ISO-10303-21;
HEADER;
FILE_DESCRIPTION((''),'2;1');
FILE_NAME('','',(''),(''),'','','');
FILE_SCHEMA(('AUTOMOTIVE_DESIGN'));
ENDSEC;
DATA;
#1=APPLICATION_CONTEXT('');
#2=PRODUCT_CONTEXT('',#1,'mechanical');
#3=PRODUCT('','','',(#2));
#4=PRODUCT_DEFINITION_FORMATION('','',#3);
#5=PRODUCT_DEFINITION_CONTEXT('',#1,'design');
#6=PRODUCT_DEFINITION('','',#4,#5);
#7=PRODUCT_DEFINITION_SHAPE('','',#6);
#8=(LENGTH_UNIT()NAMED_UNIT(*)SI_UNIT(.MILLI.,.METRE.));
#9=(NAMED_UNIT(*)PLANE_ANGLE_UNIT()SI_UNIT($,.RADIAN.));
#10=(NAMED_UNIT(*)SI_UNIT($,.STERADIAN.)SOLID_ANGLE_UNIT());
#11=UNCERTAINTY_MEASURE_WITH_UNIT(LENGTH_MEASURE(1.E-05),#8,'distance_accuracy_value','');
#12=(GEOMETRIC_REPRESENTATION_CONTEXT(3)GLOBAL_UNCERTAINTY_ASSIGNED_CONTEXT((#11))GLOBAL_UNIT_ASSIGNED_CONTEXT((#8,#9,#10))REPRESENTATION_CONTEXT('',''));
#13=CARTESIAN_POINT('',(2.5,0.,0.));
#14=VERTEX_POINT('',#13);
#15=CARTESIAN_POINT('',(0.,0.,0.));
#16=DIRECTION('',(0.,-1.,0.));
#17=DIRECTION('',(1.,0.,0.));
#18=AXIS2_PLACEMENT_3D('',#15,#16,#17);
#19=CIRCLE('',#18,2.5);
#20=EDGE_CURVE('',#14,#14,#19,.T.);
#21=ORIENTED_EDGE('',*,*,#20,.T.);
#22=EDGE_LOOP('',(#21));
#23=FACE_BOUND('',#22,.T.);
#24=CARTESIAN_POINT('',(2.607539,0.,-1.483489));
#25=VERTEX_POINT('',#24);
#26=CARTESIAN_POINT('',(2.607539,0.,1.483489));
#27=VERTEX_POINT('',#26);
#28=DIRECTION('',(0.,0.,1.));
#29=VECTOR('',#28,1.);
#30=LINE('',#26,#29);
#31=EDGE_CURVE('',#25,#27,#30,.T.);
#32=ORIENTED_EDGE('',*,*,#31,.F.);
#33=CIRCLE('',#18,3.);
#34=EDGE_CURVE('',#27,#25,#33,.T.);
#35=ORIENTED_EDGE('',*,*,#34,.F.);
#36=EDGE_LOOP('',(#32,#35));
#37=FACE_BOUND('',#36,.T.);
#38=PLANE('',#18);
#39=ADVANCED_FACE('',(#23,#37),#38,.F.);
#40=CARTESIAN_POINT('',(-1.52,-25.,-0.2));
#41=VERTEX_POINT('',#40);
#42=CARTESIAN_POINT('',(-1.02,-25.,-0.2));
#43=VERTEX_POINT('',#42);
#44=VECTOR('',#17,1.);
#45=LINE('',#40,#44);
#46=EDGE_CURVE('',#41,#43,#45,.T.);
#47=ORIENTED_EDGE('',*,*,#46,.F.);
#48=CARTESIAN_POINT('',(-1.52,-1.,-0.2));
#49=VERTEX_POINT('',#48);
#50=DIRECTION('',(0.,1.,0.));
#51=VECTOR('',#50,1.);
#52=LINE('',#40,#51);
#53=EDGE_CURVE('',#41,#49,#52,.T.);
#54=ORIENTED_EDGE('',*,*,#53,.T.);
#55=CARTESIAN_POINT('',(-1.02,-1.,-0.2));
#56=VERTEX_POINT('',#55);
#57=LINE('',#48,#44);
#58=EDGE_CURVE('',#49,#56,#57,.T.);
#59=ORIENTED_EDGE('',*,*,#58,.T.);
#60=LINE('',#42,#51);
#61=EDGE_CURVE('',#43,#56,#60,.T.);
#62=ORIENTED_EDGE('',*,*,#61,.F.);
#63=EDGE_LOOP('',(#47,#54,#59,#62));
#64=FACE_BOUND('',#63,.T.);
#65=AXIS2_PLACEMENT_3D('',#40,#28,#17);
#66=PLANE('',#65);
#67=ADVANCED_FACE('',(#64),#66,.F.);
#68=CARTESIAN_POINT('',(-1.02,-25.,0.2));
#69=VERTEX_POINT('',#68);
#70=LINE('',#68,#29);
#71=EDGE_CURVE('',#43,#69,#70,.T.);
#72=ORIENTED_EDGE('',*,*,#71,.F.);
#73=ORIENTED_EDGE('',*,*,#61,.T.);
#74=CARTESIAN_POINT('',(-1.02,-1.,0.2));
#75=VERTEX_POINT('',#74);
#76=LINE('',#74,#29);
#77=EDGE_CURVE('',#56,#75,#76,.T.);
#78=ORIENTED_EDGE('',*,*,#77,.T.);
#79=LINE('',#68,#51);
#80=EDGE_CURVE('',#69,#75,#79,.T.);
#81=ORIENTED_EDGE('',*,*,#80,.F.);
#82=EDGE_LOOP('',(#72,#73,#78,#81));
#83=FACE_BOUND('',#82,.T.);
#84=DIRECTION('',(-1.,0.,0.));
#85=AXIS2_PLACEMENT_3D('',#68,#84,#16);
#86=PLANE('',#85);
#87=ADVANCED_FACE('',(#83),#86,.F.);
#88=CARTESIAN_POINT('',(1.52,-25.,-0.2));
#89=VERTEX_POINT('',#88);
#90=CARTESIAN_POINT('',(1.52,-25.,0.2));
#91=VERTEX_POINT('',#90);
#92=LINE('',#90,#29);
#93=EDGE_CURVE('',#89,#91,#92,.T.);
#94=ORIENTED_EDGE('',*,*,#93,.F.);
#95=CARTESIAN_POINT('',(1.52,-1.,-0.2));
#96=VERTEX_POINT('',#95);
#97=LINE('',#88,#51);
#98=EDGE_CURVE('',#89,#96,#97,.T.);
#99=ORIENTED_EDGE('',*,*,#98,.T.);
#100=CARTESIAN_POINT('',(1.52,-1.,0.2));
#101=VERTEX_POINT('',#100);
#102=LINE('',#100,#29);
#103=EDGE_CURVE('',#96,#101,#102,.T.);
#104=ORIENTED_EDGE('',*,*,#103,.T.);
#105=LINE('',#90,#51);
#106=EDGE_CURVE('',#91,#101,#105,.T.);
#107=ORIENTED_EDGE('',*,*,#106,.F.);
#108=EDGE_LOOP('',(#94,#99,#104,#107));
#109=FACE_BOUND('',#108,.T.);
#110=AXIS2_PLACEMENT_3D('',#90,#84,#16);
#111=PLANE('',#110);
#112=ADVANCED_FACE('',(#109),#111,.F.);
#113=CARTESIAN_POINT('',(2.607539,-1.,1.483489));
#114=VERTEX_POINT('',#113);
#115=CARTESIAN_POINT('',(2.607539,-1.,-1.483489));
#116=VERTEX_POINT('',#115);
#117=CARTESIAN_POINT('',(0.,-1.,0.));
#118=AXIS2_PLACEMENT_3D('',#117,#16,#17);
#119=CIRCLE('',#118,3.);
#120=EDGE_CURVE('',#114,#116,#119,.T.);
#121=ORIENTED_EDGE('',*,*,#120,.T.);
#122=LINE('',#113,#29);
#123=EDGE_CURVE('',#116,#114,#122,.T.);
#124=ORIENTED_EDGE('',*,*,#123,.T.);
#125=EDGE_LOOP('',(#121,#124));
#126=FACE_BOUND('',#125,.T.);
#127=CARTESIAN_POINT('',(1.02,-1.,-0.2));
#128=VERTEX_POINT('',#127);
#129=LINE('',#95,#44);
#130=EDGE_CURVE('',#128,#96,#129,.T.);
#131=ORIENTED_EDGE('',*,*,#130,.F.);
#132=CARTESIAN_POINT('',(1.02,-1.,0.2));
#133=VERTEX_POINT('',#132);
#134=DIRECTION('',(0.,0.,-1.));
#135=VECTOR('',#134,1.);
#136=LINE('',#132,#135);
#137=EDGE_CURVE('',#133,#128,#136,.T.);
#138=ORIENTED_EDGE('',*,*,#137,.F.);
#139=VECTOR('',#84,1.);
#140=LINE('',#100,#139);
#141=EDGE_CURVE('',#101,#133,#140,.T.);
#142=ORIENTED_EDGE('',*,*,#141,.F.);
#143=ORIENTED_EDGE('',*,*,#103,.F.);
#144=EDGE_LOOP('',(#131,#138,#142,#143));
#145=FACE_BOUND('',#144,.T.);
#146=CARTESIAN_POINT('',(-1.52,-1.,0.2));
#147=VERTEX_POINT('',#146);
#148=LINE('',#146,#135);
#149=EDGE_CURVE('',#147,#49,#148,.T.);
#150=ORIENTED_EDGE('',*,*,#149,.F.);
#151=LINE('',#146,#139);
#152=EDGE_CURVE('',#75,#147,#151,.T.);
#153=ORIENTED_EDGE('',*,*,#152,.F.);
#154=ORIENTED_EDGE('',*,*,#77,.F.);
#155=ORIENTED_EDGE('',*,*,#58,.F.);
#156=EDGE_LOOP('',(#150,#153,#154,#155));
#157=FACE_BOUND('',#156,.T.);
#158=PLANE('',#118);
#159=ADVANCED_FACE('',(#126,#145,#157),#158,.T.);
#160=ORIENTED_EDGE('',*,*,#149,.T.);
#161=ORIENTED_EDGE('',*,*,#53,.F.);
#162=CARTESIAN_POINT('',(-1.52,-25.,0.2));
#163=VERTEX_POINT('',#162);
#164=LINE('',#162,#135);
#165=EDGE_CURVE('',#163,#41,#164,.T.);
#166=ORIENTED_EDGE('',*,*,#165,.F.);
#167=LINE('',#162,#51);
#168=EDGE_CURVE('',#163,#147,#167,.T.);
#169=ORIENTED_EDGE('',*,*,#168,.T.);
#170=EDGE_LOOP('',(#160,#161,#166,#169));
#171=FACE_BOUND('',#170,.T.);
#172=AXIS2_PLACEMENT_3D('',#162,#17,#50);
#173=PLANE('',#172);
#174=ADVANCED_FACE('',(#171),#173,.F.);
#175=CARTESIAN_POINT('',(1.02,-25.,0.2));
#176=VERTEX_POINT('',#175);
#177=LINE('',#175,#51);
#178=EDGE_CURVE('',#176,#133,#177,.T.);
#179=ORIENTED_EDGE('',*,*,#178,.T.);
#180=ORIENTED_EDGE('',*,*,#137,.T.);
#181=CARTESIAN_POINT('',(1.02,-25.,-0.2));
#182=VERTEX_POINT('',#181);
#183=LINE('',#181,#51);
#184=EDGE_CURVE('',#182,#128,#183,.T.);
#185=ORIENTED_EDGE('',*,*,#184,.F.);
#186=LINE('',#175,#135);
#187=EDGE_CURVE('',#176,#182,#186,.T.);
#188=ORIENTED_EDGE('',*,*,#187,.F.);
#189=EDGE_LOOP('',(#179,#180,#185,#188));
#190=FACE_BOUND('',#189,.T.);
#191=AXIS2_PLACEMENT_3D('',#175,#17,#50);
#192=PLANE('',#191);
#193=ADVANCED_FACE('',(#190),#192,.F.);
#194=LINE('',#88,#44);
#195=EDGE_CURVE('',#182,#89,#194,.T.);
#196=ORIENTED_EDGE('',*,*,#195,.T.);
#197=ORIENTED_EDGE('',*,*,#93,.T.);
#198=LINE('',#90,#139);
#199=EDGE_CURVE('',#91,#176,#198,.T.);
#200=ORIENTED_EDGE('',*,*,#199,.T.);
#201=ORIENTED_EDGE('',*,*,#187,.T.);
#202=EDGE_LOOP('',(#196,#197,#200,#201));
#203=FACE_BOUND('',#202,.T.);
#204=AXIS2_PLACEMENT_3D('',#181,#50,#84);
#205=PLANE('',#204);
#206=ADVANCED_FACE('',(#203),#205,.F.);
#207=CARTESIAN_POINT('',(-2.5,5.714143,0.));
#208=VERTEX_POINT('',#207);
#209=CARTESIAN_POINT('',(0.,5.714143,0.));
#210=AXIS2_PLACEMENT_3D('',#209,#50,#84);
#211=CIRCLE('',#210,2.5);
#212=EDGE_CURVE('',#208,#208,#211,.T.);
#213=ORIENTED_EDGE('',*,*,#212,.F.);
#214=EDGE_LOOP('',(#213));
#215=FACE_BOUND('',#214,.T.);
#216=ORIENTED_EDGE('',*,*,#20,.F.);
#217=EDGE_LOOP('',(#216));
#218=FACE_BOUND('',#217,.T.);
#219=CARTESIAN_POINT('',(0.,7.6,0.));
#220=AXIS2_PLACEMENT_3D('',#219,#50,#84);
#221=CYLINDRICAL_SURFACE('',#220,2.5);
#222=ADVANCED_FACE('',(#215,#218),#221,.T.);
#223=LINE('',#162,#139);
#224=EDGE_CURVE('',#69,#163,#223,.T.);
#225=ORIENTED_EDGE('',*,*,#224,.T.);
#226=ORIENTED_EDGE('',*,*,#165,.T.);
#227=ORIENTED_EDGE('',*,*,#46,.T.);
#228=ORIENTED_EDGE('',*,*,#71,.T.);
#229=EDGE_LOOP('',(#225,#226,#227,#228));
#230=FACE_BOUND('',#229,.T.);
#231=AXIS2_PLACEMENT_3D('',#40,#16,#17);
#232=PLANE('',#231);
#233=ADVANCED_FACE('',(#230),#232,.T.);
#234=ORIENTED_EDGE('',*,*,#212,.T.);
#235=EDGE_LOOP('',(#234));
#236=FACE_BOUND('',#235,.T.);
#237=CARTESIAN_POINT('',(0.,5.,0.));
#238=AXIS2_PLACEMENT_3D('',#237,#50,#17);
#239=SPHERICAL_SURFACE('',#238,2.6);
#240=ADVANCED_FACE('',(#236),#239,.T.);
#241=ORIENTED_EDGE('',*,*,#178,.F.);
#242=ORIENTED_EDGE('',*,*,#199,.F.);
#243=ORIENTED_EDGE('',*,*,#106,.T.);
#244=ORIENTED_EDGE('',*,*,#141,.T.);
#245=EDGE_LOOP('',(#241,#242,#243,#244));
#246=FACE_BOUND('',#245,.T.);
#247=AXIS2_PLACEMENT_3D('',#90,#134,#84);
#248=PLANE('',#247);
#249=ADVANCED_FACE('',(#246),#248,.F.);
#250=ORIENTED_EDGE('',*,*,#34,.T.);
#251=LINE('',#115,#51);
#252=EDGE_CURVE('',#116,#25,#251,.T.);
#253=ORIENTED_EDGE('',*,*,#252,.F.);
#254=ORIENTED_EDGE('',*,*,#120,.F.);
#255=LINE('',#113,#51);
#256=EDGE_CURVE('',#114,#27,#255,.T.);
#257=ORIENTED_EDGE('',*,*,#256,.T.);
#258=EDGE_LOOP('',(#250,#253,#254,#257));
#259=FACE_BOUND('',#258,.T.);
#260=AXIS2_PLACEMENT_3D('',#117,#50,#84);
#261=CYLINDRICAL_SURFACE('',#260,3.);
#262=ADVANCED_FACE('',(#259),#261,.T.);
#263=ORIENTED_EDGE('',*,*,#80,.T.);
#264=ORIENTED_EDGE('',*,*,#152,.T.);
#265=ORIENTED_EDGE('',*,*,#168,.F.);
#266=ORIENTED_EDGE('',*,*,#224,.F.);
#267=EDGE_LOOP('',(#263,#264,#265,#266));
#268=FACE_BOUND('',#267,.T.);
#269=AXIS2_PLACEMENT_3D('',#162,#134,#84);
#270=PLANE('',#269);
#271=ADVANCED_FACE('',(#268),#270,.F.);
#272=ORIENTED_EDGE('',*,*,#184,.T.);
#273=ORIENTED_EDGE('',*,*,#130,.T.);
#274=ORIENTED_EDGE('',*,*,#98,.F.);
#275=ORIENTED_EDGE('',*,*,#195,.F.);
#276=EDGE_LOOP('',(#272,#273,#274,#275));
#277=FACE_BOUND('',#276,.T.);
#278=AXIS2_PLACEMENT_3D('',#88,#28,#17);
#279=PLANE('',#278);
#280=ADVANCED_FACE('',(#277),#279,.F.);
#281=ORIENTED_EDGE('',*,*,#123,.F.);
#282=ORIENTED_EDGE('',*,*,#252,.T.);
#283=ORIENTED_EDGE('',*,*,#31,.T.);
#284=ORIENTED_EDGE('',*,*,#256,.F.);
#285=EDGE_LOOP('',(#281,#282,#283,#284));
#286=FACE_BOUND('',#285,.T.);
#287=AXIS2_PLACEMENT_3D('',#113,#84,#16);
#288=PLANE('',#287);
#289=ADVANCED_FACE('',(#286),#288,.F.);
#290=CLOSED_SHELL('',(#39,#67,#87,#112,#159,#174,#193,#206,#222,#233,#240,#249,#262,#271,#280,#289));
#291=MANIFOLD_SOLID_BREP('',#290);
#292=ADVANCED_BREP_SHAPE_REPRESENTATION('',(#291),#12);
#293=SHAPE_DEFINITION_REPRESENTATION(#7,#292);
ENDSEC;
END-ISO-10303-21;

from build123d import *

# Parameters (mm, degrees)
SALIENTE_EXTRUIR2_DEPTH = 1
CROQUIS3_W              = 0.5
CROQUIS3_H              = 0.4
SALIENTE_EXTRUIR3_DEPTH = 24


with BuildPart() as part:
    # Croquis1 → Revolución1 (revolve)
    with BuildSketch(Plane.XY):
        with BuildLine():
            Line((0, 0), (2.5, 0))
            Line((2.5, 0), (2.5, 5.714142843))
            ThreePointArc((2.5, 5.714142843), (1.56576317, 7.075665121), (0, 7.6))
            Line((0, 7.6), (0, 0))
        make_face()
    revolve(axis=Axis((0, 7.6, 0), (0, -1, 0)))

    # Croquis2 → Saliente-Extruir2 (add)
    with BuildSketch(Plane.XZ):
        with BuildLine():
            Line((2.607539428, 1.483488501), (2.607539428, -1.483488501))
            ThreePointArc((2.607539428, -1.483488501), (-3, 0), (2.607539428, 1.483488501))
        make_face()
    extrude(amount=SALIENTE_EXTRUIR2_DEPTH)

    # Croquis3 → Saliente-Extruir3 (add)
    with BuildSketch(Plane.XZ.offset(1)):
        with Locations((1.27, 0)):
            Rectangle(CROQUIS3_W, CROQUIS3_H)
        with Locations((-1.27, 0)):
            Rectangle(CROQUIS3_W, CROQUIS3_H)
    extrude(amount=SALIENTE_EXTRUIR3_DEPTH)


solid = part.part
